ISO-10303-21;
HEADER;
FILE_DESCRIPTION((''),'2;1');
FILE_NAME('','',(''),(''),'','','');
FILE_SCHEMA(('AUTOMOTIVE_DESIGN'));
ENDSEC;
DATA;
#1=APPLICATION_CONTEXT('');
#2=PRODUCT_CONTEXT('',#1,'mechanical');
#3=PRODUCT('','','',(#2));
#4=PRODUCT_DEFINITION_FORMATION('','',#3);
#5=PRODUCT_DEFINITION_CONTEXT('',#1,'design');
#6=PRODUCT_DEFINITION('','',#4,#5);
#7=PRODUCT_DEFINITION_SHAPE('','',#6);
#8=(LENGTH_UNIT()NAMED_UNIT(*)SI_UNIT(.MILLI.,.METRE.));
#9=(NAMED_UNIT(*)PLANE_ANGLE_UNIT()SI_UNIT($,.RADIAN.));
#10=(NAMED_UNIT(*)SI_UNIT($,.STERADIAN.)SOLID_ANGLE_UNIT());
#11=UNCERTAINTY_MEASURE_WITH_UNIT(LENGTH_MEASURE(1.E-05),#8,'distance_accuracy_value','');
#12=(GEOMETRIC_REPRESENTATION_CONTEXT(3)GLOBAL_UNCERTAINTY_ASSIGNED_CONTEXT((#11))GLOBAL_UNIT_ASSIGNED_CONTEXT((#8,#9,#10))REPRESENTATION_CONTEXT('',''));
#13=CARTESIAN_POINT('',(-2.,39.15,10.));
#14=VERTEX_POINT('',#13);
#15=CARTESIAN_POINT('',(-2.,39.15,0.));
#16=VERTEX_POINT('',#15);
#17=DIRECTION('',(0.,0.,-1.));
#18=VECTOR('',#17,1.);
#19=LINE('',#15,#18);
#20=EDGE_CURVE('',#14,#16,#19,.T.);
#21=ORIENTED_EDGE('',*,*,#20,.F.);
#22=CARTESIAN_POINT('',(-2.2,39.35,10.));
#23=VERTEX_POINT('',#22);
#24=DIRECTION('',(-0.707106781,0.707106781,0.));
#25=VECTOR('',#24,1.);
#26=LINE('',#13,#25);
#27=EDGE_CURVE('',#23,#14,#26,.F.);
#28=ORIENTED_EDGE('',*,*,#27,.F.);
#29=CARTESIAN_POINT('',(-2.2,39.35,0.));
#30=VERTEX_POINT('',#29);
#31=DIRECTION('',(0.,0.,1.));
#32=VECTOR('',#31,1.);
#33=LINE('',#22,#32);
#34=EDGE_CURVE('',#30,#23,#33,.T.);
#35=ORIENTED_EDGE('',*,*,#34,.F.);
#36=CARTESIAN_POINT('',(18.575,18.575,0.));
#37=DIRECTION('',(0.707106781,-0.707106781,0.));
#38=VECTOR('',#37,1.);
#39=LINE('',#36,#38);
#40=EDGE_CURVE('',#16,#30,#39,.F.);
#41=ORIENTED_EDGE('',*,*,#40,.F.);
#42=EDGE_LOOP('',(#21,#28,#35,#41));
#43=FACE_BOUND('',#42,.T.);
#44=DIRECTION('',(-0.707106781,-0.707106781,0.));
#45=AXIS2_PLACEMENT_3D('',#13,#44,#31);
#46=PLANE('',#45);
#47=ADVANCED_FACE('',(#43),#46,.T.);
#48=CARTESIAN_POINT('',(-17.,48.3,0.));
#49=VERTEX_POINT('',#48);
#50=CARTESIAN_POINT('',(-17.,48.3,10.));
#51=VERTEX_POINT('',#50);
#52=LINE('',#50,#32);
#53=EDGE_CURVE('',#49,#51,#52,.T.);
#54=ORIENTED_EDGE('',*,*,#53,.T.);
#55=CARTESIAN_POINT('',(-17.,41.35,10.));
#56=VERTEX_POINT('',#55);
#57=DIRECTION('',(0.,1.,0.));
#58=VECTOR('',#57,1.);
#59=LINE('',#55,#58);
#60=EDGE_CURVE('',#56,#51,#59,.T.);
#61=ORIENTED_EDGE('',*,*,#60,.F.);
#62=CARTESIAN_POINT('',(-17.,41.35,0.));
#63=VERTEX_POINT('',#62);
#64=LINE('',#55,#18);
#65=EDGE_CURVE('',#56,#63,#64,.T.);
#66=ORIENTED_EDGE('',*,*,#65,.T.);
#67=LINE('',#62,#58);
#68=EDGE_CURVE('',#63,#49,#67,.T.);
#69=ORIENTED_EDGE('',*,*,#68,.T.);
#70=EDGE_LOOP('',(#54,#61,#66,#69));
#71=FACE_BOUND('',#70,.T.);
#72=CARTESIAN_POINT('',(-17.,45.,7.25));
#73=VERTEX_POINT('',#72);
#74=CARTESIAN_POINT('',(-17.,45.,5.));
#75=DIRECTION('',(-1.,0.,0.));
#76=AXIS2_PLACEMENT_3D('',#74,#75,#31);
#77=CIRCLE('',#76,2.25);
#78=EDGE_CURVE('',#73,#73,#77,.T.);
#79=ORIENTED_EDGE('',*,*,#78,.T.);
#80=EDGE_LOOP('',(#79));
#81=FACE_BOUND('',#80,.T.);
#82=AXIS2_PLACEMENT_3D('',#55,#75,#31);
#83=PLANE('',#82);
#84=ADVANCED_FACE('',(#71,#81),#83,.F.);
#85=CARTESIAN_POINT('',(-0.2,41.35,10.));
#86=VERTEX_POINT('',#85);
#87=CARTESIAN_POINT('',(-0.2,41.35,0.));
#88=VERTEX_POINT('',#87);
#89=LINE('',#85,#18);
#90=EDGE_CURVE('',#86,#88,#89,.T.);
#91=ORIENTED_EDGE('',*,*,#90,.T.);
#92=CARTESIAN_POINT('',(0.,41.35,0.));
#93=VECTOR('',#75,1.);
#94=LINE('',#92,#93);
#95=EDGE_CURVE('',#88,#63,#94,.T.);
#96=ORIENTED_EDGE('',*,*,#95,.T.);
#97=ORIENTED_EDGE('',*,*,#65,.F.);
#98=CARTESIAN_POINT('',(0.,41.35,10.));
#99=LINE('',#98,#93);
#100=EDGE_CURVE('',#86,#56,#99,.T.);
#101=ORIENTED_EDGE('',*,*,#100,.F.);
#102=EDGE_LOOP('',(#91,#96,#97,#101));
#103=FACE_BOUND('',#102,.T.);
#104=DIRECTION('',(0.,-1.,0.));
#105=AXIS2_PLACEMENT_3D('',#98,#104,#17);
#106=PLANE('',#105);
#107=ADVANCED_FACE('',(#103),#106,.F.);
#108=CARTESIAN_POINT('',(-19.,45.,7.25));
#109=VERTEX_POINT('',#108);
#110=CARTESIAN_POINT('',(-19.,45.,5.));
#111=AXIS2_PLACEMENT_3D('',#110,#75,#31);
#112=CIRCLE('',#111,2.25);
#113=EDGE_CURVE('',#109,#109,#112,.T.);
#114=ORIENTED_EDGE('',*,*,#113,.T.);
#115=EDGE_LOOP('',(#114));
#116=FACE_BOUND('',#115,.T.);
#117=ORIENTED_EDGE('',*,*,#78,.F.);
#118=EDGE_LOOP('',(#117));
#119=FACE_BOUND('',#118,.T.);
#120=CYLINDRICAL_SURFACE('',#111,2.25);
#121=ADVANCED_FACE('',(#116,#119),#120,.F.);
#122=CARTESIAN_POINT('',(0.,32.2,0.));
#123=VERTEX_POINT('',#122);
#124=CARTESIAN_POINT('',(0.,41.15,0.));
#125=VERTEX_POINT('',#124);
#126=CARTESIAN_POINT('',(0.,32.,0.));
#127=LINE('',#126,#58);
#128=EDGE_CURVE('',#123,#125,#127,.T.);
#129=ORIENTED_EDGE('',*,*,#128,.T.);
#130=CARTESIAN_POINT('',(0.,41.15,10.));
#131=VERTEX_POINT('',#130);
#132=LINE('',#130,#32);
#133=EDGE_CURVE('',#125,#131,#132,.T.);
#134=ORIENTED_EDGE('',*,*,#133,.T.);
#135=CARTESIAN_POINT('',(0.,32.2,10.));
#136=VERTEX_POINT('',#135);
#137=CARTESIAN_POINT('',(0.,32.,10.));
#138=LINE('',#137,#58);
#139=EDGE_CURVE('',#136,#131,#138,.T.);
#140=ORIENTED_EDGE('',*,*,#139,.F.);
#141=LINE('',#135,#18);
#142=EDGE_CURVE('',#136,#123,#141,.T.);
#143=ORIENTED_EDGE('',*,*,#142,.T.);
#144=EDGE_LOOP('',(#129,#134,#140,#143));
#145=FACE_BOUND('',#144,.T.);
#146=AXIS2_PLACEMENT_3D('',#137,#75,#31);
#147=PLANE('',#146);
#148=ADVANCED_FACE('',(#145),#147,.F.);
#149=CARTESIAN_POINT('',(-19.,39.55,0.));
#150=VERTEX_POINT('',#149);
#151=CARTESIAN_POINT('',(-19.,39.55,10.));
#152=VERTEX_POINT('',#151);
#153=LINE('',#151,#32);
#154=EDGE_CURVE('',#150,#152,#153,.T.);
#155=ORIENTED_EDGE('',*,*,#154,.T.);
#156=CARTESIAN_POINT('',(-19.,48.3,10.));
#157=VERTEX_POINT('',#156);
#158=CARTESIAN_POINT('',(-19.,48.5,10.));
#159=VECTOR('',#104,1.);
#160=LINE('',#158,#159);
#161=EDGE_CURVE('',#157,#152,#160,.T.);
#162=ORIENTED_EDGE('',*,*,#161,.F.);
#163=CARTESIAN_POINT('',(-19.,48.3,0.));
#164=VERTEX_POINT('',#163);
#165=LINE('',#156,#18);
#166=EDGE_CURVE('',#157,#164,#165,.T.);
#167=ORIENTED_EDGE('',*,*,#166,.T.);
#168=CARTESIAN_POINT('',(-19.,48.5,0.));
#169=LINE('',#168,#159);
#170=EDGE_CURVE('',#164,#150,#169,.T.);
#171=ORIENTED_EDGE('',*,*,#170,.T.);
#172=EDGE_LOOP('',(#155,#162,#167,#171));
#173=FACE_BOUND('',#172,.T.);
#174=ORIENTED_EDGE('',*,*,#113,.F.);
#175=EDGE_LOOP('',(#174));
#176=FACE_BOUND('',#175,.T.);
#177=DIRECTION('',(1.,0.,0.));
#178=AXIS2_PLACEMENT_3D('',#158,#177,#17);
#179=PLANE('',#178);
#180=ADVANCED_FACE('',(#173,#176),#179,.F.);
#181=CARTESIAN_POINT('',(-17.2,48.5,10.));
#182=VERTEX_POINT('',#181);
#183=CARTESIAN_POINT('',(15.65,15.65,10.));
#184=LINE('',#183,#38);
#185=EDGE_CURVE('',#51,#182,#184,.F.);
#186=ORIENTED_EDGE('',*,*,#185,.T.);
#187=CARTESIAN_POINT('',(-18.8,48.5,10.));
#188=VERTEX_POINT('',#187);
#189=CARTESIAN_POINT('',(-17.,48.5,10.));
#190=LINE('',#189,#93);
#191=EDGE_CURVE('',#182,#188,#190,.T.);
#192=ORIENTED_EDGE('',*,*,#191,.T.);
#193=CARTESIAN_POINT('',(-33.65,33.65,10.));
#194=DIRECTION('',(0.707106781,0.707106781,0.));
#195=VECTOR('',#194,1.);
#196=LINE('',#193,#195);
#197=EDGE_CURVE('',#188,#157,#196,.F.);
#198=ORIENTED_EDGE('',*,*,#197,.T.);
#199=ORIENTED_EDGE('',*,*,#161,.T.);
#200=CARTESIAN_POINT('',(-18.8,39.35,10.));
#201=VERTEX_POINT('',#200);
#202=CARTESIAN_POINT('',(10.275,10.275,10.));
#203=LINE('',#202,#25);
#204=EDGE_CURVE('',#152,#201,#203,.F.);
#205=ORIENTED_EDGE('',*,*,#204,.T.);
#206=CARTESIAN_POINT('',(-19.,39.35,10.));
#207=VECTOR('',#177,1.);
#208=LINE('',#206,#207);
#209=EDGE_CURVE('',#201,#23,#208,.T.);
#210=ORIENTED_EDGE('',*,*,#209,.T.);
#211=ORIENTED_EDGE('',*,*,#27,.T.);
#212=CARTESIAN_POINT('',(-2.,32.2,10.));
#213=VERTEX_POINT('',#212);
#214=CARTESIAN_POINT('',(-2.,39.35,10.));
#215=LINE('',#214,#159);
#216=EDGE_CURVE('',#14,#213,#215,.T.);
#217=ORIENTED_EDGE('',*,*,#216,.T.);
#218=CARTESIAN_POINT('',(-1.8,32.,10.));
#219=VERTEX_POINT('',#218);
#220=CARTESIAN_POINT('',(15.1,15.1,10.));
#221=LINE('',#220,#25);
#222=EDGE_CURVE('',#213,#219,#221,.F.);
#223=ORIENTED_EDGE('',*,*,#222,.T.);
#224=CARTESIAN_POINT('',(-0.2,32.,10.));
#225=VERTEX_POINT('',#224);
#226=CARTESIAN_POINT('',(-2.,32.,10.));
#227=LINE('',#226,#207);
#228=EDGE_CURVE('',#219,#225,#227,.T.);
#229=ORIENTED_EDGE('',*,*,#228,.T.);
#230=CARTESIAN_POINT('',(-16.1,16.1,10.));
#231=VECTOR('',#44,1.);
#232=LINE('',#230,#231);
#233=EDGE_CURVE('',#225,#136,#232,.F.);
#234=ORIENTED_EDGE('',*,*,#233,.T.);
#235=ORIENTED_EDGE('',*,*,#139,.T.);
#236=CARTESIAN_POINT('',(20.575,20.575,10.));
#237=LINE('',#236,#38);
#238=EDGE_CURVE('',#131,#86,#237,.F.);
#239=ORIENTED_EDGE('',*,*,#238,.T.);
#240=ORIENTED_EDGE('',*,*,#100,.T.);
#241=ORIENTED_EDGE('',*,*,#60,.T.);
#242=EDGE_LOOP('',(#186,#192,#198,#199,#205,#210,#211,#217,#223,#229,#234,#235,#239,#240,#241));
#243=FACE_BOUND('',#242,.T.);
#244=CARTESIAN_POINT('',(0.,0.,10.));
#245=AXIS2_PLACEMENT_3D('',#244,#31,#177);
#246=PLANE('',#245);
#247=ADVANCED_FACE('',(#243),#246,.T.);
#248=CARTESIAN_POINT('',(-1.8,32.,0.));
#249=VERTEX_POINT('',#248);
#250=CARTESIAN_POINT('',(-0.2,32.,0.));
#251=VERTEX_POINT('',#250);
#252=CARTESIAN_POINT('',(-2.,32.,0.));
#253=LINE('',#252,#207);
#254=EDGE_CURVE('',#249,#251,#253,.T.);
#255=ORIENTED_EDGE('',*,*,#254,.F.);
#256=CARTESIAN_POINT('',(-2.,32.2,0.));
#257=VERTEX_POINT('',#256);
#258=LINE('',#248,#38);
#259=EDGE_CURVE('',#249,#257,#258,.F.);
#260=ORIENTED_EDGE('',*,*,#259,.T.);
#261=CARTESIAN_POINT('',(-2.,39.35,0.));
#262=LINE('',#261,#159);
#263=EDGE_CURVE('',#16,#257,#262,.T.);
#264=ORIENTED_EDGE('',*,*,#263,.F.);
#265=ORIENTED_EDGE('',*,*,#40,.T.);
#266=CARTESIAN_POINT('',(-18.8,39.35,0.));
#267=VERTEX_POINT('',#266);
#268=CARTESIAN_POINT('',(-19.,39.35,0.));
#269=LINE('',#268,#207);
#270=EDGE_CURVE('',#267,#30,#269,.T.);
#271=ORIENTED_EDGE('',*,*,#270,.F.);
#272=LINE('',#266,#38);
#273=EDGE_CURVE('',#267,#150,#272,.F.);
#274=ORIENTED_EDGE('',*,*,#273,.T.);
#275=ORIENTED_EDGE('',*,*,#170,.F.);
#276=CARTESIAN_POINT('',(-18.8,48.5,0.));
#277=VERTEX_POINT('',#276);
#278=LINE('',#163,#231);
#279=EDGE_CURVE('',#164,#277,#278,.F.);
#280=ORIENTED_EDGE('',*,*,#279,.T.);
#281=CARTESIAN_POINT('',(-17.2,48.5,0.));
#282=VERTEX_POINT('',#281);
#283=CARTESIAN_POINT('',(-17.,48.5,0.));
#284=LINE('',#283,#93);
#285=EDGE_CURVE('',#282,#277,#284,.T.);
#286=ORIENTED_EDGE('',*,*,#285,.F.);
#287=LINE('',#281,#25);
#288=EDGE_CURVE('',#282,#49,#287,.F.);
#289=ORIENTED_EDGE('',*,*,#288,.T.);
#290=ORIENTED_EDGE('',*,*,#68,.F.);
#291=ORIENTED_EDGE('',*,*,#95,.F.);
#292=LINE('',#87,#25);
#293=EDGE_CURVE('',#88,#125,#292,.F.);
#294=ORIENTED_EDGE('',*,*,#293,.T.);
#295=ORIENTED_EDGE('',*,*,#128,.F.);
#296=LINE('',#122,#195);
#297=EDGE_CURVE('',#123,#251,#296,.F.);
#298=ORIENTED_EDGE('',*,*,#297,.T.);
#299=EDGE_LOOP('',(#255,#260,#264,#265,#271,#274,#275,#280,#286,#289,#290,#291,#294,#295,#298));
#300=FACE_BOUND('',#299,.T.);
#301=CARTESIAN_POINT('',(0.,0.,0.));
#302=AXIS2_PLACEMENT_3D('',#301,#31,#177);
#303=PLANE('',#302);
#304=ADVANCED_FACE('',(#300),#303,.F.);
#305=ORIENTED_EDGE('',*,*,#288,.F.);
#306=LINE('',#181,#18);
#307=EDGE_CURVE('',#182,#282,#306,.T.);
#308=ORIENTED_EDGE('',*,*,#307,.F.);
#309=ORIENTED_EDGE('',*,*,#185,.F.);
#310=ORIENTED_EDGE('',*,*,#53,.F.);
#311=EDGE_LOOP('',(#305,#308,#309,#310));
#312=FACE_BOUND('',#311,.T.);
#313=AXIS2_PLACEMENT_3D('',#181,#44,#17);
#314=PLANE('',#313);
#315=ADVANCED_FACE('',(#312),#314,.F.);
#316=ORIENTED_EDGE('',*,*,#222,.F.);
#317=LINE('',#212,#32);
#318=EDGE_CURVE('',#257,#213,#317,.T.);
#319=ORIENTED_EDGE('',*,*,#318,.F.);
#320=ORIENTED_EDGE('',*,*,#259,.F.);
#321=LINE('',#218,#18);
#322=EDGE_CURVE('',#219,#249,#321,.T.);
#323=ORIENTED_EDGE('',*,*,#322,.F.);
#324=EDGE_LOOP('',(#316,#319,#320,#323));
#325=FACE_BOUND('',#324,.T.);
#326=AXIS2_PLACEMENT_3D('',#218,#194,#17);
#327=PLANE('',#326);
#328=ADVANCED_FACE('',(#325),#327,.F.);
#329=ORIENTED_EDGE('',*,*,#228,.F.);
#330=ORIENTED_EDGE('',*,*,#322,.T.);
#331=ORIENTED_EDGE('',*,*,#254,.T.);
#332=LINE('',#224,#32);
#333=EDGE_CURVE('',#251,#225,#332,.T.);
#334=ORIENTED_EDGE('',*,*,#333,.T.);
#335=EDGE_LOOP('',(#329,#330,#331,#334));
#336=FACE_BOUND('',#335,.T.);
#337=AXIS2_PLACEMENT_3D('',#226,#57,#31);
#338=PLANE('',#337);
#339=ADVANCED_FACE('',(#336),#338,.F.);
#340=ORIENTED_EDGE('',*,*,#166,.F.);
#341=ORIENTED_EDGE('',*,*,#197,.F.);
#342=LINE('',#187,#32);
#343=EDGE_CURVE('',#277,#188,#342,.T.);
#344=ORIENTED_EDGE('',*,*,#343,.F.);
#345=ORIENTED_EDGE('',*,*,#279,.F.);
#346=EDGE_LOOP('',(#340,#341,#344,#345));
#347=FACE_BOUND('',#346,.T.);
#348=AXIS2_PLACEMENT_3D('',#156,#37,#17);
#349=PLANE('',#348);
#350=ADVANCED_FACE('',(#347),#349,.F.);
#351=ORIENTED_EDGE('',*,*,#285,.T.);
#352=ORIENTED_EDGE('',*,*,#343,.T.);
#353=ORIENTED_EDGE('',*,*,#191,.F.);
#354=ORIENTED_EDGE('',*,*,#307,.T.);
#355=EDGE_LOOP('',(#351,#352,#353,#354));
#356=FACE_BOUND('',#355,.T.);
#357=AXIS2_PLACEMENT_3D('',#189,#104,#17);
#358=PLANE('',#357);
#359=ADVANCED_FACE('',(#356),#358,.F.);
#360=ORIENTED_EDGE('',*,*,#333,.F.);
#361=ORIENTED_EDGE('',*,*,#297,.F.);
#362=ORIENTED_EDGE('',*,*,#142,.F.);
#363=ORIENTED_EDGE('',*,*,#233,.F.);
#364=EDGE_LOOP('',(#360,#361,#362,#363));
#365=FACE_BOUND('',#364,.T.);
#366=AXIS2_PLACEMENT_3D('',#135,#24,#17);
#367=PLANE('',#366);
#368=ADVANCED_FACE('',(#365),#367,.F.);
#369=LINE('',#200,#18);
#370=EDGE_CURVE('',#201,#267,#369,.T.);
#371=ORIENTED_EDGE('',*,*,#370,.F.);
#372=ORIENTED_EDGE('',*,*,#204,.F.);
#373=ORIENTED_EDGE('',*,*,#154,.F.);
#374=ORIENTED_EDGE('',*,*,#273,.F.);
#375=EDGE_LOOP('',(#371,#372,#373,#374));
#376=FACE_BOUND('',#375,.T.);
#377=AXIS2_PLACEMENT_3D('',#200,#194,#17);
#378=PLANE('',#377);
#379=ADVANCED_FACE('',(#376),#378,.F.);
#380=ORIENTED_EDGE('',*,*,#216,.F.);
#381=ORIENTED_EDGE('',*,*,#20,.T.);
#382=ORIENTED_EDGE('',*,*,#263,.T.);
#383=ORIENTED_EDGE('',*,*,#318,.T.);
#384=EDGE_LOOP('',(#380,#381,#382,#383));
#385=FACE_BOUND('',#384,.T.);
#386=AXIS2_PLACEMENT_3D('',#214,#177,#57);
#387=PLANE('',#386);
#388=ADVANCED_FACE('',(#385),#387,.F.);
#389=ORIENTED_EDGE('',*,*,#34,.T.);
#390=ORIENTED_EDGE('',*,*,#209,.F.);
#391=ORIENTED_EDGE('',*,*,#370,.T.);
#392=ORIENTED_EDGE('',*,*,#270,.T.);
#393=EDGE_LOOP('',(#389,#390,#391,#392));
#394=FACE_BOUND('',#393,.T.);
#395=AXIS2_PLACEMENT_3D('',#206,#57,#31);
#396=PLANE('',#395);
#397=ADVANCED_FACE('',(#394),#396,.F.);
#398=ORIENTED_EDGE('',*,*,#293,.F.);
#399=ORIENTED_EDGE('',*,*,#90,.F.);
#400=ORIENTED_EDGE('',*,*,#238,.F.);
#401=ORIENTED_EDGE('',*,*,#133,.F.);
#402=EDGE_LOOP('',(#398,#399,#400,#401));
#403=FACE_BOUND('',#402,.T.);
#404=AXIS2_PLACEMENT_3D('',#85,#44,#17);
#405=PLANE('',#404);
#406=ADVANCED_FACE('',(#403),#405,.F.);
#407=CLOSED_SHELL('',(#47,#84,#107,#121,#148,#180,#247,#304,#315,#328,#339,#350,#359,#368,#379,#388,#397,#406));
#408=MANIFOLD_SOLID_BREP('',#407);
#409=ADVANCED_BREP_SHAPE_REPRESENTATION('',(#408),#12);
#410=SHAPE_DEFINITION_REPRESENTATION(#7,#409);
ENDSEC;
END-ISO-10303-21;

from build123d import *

# Parameters (mm, degrees)
BOSS_EXTRU_1_DEPTH = 10
CHANFREIN2_SIZE    = 0.2
D_GAGEMENT_M41_D   = 4.5


with BuildPart() as part:
    # Esquisse1 → Boss.-Extru.1 (new body)
    with BuildSketch(Plane.XY):
        Polygon((0, 32), (0, 41.35), (-17, 41.35), (-17, 48.5), (-19, 48.5), (-19, 39.35), (-2, 39.35), (-2, 32), align=None)
    extrude(amount=BOSS_EXTRU_1_DEPTH)

    # Chanfrein2
    chanfrein2_edges = [part.edges().sort_by_distance(p)[0] for p in [
        (0, 41.35, 5),
        (0, 32, 5),
        (-2, 32, 5),
        (-2, 39.35, 5),
        (-19, 39.35, 5),
        (-19, 48.5, 5),
        (-17, 48.5, 5),
    ]]
    chamfer(chanfrein2_edges, length=CHANFREIN2_SIZE)

    # Dégagement M41 (through all)
    with Locations(Plane.ZY.offset(19)):
        with Locations((5, 45)):
            Hole(D_GAGEMENT_M41_D / 2)


solid = part.part
